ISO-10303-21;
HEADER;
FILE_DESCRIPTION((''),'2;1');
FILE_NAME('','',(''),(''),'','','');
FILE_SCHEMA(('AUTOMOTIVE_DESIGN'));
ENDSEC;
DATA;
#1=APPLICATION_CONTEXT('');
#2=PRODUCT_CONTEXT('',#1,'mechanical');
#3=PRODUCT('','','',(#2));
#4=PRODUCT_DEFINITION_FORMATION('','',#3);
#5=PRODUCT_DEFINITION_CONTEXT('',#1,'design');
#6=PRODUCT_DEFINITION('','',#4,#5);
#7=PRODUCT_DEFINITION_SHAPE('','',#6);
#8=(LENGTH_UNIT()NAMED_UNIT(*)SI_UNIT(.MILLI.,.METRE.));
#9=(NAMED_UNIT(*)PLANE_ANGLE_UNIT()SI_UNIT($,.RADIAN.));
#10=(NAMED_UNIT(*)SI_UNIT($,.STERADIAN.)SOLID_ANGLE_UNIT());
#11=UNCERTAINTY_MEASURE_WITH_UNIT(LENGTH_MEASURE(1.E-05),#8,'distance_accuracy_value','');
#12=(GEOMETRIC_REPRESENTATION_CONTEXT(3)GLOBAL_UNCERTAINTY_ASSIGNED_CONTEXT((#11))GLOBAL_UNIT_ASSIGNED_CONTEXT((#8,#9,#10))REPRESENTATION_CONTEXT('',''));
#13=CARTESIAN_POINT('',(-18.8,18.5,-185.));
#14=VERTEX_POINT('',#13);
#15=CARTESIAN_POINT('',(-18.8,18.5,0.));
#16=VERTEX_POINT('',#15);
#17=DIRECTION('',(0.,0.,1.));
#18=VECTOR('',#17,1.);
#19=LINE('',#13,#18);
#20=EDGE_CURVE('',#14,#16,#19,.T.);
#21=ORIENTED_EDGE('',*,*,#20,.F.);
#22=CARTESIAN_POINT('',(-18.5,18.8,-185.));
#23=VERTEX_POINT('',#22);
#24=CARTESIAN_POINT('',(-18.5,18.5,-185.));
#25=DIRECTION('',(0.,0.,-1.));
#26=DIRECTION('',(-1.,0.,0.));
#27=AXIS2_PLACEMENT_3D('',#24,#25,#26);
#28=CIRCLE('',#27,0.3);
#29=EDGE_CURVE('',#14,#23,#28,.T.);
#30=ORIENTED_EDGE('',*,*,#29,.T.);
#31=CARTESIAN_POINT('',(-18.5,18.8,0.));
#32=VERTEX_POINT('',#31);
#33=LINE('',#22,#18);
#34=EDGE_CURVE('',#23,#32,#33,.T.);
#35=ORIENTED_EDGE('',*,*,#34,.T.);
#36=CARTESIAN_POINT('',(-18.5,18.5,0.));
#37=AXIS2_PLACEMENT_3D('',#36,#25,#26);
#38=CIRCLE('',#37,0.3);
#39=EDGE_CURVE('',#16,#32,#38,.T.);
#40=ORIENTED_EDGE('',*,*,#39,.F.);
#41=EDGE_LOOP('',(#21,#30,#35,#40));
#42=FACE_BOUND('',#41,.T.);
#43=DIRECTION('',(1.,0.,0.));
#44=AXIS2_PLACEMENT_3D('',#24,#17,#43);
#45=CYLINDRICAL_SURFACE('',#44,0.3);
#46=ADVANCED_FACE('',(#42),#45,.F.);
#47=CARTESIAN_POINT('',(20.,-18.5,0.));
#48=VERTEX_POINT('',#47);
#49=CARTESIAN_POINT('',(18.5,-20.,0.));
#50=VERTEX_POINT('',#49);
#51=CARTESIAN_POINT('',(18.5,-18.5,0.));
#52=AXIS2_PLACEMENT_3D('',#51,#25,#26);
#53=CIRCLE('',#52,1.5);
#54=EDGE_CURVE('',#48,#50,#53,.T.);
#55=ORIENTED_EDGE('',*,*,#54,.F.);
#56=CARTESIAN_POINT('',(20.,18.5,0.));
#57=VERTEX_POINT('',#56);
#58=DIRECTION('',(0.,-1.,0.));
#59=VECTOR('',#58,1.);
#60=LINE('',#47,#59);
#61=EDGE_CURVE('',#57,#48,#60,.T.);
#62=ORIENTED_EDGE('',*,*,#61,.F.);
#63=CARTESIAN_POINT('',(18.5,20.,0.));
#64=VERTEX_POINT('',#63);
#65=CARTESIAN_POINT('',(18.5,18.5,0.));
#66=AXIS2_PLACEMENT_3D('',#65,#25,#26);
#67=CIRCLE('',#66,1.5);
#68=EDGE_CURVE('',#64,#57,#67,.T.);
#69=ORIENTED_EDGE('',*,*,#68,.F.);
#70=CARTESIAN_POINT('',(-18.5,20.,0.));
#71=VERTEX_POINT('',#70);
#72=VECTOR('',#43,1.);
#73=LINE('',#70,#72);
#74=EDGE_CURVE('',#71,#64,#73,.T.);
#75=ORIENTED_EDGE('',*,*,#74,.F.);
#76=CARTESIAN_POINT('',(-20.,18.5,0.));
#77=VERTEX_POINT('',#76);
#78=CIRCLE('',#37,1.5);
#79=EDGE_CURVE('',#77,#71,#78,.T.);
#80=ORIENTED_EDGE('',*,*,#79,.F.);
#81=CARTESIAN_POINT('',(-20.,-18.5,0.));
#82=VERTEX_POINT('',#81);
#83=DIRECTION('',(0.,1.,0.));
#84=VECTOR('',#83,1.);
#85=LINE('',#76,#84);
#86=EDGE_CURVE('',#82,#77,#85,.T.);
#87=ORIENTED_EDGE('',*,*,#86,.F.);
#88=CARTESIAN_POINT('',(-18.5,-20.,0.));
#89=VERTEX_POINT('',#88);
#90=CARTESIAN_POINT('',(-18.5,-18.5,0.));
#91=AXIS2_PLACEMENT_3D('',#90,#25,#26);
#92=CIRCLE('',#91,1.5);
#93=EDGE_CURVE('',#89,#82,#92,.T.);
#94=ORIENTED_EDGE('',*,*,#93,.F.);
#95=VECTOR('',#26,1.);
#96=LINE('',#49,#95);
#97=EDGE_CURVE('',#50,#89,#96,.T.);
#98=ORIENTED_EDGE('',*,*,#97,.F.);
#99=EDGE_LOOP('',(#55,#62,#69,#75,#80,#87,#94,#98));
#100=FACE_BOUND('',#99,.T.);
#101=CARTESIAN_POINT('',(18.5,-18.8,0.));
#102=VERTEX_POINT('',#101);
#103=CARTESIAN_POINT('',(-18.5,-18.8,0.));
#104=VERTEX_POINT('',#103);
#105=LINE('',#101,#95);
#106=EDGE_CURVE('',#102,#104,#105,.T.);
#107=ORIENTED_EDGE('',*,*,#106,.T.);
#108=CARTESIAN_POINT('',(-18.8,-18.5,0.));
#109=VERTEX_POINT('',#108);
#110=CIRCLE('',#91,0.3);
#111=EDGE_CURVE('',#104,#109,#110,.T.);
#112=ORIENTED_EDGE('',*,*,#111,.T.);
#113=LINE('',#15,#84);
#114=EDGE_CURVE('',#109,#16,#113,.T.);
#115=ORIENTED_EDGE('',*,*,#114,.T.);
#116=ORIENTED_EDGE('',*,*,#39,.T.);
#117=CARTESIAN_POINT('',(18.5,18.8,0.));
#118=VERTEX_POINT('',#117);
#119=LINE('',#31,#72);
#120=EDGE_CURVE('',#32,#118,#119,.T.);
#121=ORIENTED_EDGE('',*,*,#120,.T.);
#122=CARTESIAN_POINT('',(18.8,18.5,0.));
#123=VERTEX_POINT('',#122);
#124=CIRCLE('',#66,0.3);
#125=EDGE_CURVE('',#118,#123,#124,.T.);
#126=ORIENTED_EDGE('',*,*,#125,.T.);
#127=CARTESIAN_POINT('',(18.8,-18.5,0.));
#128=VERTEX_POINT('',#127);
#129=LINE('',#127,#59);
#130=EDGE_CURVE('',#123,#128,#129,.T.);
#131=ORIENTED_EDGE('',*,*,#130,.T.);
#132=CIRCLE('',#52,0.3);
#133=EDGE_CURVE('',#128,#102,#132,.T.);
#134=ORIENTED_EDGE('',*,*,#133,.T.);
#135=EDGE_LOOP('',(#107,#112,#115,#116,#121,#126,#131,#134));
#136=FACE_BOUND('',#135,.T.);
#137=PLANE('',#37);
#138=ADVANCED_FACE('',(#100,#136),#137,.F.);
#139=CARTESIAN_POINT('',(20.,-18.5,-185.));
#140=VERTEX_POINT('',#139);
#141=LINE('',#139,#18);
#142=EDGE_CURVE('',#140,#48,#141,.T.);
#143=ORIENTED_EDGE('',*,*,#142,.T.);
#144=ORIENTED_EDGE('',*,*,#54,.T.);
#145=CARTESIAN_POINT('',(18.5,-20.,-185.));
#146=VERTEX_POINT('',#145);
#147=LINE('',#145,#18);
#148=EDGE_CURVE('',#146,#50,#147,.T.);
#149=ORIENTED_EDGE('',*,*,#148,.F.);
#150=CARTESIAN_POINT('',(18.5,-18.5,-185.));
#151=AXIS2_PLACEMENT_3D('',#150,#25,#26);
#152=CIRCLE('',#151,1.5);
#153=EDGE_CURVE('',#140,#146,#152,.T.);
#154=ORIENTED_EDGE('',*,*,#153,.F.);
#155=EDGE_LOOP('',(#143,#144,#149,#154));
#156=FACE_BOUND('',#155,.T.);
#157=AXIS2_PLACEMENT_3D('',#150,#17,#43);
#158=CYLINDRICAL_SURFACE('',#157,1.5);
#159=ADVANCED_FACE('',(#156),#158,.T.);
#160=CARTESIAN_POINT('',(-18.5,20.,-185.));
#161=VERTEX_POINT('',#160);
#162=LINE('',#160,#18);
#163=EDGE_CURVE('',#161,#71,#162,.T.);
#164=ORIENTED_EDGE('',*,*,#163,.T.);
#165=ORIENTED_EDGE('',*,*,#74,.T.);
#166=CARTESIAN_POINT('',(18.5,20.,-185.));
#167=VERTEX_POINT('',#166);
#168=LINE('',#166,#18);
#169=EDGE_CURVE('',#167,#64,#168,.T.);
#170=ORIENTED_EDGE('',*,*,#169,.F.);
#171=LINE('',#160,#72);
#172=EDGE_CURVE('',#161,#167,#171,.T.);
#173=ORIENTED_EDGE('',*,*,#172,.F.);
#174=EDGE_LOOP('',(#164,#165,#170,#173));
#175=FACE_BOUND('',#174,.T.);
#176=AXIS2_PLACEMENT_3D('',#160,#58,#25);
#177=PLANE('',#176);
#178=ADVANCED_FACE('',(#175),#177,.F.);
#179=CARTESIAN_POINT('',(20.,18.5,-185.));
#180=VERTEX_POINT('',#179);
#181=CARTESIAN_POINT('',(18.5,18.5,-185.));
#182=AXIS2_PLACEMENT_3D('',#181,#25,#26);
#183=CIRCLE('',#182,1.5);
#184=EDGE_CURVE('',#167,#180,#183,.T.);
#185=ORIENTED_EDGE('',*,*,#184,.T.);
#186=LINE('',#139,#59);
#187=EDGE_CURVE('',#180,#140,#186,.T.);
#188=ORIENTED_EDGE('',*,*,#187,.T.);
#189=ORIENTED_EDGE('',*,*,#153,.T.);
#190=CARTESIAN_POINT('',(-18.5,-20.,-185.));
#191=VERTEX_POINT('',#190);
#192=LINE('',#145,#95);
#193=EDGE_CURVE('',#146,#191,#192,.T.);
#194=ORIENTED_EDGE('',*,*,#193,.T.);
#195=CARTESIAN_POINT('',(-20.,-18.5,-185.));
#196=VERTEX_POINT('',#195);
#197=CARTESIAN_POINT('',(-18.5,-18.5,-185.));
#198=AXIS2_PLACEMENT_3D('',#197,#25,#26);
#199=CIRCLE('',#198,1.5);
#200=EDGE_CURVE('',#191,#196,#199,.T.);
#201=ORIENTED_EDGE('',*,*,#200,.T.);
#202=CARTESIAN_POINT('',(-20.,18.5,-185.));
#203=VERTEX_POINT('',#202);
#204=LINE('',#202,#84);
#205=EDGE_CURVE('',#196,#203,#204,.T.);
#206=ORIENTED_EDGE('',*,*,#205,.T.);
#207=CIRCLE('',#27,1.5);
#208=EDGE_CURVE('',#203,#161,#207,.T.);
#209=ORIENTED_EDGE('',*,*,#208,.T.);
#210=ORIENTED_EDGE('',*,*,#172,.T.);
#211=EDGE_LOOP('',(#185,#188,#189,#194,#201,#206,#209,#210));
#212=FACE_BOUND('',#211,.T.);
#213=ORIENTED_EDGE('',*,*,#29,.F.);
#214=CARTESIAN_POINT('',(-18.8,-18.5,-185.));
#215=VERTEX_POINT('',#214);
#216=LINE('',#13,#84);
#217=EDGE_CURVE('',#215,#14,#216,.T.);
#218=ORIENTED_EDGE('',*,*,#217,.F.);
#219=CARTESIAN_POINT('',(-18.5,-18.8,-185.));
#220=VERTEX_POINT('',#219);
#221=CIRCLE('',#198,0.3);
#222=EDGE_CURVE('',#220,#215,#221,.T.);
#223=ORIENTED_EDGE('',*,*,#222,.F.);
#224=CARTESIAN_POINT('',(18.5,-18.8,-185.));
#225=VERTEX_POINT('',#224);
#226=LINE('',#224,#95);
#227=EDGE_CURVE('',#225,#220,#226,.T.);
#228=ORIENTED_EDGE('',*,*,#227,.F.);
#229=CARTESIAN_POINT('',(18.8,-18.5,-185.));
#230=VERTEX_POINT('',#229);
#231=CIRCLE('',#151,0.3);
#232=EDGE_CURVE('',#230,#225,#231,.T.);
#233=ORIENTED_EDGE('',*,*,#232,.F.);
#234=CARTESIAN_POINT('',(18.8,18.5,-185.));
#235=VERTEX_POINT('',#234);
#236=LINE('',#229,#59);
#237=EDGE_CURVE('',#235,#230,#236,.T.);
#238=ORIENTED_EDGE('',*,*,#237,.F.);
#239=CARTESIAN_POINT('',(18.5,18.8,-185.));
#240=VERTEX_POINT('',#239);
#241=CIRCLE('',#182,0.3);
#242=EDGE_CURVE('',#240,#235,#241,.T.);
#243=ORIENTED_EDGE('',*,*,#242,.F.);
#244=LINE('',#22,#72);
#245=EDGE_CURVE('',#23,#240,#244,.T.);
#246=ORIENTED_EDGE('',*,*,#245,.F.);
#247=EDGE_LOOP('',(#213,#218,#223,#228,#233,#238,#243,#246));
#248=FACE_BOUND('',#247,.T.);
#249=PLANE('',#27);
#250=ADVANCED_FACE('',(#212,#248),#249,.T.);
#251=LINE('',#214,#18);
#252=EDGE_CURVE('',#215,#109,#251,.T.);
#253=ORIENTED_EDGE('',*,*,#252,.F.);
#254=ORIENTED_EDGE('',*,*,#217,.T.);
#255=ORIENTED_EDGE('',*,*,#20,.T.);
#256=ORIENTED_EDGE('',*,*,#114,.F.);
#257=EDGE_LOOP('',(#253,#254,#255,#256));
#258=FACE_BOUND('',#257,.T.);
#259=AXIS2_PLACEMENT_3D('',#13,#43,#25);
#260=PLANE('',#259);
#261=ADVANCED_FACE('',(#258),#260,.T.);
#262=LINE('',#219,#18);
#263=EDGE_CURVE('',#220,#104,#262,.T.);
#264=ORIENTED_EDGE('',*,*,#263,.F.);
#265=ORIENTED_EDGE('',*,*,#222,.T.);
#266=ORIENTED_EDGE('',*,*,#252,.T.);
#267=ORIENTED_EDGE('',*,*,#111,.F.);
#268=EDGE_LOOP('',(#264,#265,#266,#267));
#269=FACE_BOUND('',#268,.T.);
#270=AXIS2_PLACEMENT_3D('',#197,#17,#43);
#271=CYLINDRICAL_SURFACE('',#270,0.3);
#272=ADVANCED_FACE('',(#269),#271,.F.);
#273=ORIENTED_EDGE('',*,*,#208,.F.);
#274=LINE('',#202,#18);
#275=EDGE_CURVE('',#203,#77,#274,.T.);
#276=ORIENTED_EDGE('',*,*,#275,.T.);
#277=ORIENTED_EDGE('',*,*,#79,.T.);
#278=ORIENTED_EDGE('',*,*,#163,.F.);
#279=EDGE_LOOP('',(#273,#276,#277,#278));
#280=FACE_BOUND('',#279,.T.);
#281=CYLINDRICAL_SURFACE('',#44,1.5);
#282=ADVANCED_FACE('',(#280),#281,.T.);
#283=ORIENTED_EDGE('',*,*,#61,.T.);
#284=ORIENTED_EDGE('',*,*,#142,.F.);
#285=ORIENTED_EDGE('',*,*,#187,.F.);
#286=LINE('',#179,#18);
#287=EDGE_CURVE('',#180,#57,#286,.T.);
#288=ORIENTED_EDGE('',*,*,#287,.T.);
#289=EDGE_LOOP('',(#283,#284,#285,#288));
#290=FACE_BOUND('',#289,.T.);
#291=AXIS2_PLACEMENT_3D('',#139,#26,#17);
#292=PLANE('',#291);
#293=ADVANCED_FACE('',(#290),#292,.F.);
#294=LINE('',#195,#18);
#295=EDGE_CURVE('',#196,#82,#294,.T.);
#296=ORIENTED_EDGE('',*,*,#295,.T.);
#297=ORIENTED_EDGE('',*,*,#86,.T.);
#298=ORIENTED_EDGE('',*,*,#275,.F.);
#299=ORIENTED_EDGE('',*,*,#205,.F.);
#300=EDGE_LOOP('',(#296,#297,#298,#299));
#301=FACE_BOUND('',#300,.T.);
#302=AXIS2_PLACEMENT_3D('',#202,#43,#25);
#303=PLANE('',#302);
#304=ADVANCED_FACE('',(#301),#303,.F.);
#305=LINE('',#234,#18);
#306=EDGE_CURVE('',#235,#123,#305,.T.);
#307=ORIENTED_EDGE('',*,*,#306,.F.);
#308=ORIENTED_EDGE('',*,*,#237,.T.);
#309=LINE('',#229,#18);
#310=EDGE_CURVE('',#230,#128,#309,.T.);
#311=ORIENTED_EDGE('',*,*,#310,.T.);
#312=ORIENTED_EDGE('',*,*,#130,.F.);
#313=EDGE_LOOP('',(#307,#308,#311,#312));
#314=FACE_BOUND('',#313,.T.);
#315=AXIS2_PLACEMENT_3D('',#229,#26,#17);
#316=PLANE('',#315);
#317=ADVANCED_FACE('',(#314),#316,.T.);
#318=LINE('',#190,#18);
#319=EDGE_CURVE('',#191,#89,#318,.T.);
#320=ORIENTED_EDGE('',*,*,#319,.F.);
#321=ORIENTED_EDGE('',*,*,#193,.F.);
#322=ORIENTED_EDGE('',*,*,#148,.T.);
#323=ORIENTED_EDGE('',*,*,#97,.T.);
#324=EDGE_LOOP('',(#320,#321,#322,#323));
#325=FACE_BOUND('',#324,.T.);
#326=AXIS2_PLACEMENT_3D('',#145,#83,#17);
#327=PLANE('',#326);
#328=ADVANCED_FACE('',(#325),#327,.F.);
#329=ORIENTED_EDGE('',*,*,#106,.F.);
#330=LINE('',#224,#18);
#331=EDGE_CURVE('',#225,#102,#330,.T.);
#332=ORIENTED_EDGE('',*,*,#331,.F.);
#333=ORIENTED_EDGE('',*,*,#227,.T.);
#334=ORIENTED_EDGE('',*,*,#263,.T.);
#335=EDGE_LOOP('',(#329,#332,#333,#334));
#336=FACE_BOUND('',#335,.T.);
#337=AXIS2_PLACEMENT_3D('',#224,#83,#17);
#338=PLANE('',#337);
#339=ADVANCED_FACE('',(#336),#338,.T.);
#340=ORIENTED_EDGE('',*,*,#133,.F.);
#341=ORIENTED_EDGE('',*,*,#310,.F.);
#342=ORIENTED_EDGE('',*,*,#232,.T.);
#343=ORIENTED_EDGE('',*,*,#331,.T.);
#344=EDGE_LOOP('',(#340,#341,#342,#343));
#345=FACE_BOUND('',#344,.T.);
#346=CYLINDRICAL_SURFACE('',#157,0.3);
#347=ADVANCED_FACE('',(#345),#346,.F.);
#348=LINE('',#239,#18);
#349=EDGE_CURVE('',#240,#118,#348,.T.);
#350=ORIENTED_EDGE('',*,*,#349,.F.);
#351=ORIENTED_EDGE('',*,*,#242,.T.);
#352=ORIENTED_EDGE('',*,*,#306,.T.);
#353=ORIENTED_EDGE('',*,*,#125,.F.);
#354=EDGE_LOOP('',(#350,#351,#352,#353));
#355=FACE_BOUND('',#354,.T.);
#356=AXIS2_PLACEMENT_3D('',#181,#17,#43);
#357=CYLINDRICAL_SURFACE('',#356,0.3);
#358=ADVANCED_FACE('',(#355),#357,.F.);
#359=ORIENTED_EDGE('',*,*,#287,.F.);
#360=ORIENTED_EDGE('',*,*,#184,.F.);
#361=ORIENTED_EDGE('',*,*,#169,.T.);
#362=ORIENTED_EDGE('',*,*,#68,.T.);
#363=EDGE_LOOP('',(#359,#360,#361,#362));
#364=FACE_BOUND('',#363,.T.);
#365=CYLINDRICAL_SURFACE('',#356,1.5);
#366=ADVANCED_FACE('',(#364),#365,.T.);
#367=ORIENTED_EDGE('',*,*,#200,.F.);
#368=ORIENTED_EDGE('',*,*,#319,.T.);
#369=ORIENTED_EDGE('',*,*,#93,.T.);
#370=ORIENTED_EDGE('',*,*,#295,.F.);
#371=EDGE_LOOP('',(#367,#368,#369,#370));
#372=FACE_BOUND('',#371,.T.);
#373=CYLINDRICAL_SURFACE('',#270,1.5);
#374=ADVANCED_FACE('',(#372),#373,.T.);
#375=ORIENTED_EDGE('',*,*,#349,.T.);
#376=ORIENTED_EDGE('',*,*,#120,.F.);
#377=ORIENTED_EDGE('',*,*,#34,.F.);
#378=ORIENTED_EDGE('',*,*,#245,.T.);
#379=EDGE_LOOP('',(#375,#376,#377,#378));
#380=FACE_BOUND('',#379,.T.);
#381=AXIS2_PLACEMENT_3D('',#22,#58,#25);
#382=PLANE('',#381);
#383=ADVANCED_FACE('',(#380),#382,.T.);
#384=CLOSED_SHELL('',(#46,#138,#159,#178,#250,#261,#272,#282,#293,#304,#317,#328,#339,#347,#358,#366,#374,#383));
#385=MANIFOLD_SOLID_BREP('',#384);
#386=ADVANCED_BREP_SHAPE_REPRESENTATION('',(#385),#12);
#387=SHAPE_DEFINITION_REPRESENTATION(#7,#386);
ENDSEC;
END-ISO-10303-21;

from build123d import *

# Parameters (mm, degrees)
STRUCTURAL_MEMBER1_DEPTH = 185


with BuildPart() as part:
    # Sketch12 → Structural Member1 (new body)
    with BuildSketch(Plane(origin=(0, 0, 0), x_dir=(-1, 0, 0), z_dir=(0, 0, -1))):
        with BuildLine():
            Line((-18.5, -20), (18.5, -20))
            ThreePointArc((18.5, -20), (19.560660172, -19.560660172), (20, -18.5))
            Line((20, -18.5), (20, 18.5))
            ThreePointArc((20, 18.5), (19.560660172, 19.560660172), (18.5, 20))
            Line((18.5, 20), (-18.5, 20))
            ThreePointArc((-18.5, 20), (-19.560660172, 19.560660172), (-20, 18.5))
            Line((-20, 18.5), (-20, -18.5))
            ThreePointArc((-20, -18.5), (-19.560660172, -19.560660172), (-18.5, -20))
        make_face()
        with BuildLine():
            Line((-18.5, -18.8), (18.5, -18.8))
            ThreePointArc((18.5, -18.8), (18.712132034, -18.712132034), (18.8, -18.5))
            Line((18.8, -18.5), (18.8, 18.5))
            ThreePointArc((18.8, 18.5), (18.712132034, 18.712132034), (18.5, 18.8))
            Line((18.5, 18.8), (-18.5, 18.8))
            ThreePointArc((-18.5, 18.8), (-18.712132034, 18.712132034), (-18.8, 18.5))
            Line((-18.8, 18.5), (-18.8, -18.5))
            ThreePointArc((-18.8, -18.5), (-18.712132034, -18.712132034), (-18.5, -18.8))
        make_face(mode=Mode.SUBTRACT)
    extrude(amount=STRUCTURAL_MEMBER1_DEPTH)


solid = part.part
